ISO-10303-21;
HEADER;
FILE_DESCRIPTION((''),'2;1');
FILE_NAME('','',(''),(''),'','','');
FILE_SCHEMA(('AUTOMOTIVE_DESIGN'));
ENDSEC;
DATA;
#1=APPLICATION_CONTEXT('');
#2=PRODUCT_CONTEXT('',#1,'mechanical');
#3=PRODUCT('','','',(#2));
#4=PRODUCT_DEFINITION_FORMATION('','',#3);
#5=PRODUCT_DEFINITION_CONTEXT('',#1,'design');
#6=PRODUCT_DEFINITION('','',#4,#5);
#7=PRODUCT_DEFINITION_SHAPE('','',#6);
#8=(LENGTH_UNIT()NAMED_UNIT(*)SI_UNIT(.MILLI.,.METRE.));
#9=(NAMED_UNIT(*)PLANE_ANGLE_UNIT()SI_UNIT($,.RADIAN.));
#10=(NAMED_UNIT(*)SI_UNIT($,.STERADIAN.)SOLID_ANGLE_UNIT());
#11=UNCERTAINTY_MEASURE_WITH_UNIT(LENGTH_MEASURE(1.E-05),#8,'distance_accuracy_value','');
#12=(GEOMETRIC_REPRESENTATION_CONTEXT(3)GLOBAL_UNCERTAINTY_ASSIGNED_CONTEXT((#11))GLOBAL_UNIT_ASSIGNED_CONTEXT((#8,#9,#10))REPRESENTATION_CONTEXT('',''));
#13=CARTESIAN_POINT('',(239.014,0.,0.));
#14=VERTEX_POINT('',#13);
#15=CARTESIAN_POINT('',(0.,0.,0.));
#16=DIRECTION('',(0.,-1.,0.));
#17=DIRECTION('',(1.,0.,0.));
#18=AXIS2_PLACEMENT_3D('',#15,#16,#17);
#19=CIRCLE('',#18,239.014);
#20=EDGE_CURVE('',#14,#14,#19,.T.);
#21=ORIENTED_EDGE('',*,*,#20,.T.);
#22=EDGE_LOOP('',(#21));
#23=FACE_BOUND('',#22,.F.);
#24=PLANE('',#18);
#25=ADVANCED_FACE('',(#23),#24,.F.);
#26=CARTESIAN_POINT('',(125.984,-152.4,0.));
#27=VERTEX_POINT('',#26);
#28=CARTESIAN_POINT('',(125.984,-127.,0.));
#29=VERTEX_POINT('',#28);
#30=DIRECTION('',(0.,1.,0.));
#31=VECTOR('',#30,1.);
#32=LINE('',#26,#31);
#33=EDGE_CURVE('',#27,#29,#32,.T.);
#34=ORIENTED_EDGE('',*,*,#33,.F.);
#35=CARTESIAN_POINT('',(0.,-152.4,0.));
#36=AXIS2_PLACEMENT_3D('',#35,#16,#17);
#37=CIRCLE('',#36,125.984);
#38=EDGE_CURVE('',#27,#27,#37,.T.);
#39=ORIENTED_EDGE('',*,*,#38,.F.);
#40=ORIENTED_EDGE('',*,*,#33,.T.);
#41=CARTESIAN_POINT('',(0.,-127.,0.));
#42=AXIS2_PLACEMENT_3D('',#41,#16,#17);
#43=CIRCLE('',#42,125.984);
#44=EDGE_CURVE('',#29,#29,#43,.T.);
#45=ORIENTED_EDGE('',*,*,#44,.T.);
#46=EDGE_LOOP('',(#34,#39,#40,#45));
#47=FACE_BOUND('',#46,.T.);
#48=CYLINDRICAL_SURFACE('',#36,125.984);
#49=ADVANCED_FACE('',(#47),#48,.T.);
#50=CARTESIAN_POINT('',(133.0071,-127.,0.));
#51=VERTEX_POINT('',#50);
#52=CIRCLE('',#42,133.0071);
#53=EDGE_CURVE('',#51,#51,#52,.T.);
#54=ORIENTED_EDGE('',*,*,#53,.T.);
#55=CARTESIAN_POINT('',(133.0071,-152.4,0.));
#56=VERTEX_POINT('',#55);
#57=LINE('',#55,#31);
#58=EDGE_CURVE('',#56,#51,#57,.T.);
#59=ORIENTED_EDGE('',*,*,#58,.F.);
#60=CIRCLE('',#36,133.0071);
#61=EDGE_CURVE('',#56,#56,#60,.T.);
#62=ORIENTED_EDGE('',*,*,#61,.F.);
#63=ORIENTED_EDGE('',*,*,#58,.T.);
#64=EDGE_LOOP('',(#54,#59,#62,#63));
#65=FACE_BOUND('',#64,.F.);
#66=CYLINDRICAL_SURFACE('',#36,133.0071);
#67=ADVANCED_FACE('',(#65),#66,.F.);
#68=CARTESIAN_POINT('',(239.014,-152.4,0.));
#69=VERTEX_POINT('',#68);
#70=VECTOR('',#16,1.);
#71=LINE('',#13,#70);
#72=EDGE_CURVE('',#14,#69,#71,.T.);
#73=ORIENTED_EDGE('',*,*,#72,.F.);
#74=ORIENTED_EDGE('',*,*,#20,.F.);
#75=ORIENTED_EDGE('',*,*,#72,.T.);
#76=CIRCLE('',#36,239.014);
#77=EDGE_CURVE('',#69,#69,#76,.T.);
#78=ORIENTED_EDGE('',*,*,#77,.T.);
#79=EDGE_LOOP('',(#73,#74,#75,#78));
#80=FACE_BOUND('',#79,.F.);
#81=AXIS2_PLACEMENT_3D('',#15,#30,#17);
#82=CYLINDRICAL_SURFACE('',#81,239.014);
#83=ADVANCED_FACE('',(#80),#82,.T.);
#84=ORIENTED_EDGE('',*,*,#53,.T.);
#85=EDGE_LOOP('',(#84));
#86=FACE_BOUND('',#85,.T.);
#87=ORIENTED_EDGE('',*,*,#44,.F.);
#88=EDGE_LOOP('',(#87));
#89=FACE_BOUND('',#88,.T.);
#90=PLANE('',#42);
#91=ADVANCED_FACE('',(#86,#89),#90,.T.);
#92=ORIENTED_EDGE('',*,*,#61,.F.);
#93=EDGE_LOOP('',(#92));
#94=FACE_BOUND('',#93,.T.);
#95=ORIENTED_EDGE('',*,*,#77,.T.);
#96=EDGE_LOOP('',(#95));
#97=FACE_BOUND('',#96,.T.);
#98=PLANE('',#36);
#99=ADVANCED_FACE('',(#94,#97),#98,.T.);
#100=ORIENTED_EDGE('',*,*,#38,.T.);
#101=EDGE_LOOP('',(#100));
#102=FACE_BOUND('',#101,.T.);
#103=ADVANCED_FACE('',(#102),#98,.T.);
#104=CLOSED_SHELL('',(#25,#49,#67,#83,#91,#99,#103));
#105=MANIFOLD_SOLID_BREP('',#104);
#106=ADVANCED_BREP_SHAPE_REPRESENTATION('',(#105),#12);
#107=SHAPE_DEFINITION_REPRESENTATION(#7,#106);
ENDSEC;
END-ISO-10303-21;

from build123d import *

# Parameters (mm, degrees)
F0_R     = 239.014
F1_DEPTH = 152.4
F2_R     = 133.0071
F2_R_2   = 125.984
F3_DEPTH = 25.4


with BuildPart() as f1:
    # F0 (on Front) → F1 (new body)
    with BuildSketch(Plane.XZ):
        Circle(F0_R)
    extrude(amount=F1_DEPTH)

    # F2 (on face) → F3 (cut)
    with BuildSketch(Plane.XZ.offset(152.4)):
        Circle(F2_R)
        Circle(F2_R_2, mode=Mode.SUBTRACT)
    extrude(amount=-F3_DEPTH, mode=Mode.SUBTRACT)


solid = f1.part
